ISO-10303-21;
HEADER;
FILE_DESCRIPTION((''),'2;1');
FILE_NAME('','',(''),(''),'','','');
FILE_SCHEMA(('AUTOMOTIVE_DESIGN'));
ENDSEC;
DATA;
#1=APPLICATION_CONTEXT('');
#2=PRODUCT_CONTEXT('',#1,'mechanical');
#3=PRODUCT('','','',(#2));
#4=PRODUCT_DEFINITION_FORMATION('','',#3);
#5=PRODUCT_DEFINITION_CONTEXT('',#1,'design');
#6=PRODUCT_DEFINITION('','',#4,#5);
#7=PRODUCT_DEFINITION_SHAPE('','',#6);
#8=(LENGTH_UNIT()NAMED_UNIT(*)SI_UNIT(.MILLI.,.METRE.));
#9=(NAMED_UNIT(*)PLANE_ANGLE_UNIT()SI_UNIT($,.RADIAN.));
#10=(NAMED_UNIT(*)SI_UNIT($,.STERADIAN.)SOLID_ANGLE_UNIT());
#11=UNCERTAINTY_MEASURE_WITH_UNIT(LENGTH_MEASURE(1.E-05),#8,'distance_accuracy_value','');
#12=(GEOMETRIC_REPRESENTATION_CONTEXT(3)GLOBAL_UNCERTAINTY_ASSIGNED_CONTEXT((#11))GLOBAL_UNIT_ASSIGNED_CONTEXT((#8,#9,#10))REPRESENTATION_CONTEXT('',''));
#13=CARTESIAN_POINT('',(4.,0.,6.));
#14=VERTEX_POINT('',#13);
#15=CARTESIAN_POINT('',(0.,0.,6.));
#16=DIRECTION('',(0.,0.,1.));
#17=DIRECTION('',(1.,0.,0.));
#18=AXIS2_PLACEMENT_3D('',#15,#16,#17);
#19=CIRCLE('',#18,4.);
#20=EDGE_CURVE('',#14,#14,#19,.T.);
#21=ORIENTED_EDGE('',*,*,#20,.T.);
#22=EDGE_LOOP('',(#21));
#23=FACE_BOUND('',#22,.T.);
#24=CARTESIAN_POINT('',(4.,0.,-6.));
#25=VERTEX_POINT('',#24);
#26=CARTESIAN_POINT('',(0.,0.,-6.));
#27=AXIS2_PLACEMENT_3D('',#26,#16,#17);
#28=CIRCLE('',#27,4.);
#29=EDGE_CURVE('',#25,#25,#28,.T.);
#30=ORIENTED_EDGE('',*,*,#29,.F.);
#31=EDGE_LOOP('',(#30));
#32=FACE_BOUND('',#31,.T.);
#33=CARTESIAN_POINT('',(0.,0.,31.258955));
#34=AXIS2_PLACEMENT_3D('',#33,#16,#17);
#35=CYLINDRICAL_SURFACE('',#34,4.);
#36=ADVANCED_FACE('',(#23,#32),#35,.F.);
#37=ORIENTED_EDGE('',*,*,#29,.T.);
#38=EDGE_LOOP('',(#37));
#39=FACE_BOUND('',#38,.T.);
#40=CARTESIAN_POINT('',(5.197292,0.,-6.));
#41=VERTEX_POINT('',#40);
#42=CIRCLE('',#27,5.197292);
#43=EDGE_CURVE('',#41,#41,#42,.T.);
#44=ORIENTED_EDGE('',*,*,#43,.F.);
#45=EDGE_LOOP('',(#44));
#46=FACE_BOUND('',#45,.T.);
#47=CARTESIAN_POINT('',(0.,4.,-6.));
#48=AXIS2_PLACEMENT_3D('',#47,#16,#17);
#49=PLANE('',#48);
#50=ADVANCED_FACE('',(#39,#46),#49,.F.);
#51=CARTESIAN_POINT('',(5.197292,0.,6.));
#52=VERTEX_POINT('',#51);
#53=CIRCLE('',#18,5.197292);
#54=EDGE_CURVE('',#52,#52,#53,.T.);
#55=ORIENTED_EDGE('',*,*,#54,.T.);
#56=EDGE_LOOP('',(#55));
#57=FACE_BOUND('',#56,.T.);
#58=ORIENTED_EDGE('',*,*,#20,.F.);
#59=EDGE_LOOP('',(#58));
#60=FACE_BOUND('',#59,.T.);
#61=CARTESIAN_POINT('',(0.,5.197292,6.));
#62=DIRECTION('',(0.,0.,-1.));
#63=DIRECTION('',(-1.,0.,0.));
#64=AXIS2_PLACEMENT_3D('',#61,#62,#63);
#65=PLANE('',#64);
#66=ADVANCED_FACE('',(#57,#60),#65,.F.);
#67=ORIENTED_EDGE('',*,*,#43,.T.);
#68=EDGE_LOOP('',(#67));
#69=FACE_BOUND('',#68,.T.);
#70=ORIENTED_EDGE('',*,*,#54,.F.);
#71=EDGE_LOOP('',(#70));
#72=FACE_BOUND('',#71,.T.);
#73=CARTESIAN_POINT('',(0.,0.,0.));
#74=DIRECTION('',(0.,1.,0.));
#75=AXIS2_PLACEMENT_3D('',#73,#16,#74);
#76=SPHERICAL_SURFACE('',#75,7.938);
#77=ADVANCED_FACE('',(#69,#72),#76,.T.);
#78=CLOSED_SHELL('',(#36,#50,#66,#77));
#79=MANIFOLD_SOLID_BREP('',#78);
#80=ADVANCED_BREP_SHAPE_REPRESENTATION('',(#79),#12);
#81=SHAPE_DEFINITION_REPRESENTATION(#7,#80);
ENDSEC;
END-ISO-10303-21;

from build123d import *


with BuildPart() as part:
    # Sketch1 → Revolve1 (revolve)
    with BuildSketch(Plane(origin=(0, 0, 0), x_dir=(0, 0, -1), z_dir=(1, 0, 0))):
        with BuildLine():
            Line((-6, 5.197291987), (-6, 4))
            Line((-6, 4), (6, 4))
            Line((6, 4), (6, 5.197291987))
            ThreePointArc((6, 5.197291987), (0, 7.938), (-6, 5.197291987))
        make_face()
    revolve(axis=Axis((0, 0, 31.258955331), (0, 0, -1)))


solid = part.part
